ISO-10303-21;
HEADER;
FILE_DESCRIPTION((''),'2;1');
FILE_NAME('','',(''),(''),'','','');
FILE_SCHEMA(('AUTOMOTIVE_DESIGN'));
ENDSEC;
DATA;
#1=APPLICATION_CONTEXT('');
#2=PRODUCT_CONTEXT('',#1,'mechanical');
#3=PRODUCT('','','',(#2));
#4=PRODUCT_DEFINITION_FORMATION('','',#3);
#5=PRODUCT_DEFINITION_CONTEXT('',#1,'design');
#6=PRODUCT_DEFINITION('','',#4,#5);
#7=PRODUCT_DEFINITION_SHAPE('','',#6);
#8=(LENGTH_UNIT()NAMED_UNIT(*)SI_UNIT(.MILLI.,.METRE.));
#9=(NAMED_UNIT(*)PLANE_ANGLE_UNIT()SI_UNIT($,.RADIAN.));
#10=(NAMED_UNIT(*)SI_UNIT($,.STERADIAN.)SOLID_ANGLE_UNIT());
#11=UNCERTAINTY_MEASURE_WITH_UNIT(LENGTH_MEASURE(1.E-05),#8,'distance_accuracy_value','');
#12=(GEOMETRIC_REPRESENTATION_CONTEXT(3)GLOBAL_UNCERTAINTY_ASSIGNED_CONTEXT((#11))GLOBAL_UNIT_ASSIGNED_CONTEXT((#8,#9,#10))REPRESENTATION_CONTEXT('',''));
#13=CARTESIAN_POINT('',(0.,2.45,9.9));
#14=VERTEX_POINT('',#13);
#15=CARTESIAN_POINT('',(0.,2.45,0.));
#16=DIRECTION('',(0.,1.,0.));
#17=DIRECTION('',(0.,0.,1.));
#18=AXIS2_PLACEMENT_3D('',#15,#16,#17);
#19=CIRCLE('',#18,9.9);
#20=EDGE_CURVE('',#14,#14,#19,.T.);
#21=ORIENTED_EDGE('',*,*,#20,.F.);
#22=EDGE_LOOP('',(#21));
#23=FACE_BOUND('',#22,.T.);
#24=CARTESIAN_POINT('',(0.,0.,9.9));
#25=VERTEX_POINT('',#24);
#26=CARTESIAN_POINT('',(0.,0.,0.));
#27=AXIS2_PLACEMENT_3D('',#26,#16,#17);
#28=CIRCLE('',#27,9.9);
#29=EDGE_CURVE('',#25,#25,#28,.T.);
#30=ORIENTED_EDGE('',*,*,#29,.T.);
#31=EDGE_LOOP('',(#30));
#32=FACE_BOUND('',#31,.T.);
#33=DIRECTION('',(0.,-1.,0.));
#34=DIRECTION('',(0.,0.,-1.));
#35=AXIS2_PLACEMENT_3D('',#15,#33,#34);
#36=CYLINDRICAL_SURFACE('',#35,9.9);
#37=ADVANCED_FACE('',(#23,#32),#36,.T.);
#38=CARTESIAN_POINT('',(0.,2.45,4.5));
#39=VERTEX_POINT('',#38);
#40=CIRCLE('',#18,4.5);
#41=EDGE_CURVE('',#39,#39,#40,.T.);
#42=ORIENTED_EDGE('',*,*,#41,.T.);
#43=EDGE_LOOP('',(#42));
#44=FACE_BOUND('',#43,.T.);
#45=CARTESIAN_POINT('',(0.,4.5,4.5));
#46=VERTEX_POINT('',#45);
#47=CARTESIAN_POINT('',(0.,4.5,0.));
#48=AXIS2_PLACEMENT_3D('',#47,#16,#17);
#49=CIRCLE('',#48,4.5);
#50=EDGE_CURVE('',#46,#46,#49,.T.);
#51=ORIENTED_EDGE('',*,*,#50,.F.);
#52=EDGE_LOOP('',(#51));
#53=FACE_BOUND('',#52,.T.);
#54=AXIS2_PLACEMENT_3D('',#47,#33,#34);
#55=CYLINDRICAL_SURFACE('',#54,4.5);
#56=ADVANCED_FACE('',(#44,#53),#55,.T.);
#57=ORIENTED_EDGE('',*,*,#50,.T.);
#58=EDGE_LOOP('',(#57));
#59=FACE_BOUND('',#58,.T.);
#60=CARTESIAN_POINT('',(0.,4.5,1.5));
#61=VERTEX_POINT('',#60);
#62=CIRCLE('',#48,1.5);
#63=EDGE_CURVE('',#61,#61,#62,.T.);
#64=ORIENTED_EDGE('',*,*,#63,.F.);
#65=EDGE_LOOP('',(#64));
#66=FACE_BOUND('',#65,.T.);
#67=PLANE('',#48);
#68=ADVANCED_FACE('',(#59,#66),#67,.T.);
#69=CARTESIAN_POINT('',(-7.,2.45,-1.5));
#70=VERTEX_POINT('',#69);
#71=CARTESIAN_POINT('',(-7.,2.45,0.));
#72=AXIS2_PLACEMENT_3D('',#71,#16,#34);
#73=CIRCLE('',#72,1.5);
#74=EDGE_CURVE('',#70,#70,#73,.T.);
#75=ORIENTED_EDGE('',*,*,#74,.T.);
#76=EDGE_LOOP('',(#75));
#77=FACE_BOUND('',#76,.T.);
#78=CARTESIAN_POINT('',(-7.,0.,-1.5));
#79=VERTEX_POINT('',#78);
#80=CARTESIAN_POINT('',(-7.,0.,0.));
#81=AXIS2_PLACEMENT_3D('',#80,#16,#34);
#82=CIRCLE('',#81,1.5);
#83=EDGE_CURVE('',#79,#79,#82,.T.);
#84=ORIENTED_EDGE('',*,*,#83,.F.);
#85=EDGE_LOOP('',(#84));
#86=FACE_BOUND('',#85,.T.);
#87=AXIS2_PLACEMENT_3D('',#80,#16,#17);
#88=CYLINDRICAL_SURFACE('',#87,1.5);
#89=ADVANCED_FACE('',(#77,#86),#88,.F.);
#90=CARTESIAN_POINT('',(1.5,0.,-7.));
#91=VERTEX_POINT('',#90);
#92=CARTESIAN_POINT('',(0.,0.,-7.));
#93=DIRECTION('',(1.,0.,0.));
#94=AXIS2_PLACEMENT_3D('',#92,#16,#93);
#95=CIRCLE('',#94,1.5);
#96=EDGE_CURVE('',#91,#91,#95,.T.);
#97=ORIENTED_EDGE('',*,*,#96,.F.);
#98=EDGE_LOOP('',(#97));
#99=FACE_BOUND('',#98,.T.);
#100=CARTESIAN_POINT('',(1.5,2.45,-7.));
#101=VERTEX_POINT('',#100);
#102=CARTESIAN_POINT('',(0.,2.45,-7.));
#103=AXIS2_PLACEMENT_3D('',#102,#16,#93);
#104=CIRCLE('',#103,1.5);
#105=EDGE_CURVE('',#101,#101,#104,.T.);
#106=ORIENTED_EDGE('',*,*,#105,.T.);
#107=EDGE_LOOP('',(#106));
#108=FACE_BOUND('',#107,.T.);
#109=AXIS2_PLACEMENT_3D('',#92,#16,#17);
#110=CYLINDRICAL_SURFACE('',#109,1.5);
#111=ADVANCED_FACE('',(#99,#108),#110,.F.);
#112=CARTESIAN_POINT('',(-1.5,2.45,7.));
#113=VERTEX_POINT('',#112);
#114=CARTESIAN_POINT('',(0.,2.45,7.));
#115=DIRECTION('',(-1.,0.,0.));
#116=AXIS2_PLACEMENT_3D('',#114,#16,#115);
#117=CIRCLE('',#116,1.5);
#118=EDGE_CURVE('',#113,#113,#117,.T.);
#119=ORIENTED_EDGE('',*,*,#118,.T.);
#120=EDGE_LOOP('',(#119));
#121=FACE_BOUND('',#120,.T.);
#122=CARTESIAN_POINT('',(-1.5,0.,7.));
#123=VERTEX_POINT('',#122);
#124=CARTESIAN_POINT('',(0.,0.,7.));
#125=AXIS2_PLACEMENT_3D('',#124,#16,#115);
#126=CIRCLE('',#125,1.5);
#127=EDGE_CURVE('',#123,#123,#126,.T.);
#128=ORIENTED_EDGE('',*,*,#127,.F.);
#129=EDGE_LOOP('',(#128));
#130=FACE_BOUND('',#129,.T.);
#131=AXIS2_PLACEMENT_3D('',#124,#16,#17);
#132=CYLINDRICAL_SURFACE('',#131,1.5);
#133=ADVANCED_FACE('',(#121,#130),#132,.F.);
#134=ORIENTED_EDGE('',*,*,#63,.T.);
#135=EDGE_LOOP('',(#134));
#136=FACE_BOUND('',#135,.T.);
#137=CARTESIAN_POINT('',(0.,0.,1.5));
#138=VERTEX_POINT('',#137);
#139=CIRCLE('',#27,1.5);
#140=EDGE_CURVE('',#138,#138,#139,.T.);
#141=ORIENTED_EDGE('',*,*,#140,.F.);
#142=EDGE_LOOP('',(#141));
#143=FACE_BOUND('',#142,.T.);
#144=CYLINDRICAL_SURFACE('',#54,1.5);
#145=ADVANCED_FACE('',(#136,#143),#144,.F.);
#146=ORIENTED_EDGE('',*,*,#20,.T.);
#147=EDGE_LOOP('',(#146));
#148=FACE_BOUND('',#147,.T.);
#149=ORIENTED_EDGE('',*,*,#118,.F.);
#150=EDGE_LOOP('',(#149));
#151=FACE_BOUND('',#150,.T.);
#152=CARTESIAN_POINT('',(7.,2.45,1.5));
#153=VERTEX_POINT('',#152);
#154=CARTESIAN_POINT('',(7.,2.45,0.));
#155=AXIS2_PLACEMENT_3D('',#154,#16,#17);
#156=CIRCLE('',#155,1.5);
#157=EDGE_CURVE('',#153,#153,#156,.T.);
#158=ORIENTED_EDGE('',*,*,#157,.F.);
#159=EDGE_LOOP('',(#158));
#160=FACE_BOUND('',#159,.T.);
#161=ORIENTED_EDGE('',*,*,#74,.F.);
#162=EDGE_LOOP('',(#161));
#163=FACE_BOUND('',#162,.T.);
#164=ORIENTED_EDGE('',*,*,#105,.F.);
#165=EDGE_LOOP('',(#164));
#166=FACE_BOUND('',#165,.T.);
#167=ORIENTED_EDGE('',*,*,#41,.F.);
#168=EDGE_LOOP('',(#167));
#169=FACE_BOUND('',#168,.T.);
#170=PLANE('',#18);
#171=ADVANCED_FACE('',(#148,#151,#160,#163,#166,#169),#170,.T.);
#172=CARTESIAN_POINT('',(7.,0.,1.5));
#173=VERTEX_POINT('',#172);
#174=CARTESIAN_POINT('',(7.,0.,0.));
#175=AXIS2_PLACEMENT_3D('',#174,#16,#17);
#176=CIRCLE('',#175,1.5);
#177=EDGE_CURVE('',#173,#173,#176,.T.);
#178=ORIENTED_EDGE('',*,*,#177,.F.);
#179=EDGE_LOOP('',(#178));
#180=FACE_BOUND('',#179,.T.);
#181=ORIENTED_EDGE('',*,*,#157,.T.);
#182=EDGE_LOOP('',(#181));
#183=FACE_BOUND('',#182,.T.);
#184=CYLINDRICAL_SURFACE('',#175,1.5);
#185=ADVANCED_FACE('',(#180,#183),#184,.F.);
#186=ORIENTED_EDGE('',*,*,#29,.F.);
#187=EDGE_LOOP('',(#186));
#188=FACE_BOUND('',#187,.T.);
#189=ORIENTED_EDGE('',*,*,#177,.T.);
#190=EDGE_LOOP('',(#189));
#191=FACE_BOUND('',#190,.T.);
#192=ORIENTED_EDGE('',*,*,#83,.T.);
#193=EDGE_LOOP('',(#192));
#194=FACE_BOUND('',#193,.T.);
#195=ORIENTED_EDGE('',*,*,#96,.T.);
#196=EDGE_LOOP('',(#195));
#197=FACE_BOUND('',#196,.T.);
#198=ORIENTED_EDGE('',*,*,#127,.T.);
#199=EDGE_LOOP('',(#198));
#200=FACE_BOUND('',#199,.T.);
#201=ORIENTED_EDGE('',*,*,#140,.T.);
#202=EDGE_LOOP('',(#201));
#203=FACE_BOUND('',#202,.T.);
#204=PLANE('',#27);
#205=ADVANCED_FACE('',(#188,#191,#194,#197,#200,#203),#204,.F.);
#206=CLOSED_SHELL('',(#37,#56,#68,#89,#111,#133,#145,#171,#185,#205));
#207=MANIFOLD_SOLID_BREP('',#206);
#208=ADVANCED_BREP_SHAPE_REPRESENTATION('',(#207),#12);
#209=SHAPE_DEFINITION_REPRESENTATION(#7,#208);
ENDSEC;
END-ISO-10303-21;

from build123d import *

# Parameters (mm, degrees)
SKETCH2_R           = 9.9
BOSS_EXTRUDE2_DEPTH = 2.45
SKETCH3_R           = 4.5
SKETCH3_R_2         = 1.5
BOSS_EXTRUDE3_DEPTH = 2.05
SKETCH5_R           = 1.5
CUT_EXTRUDE1_DEPTH  = 15.213461929
SKETCH6_R           = 1.5
CUT_EXTRUDE2_DEPTH  = 15.213461929
CIRPATTERN1_COUNT   = 4


with BuildPart() as part:
    # Sketch2 → Boss-Extrude2 (new body)
    with BuildSketch(Plane(origin=(0, 0, 0), x_dir=(1, 0, 0), z_dir=(0, 1, 0))):
        Circle(SKETCH2_R)
    extrude(amount=BOSS_EXTRUDE2_DEPTH)

    # Sketch3 → Boss-Extrude3 (add)
    with BuildSketch(Plane(origin=(0, 2.45, 0), x_dir=(1, 0, 0), z_dir=(0, 1, 0))):
        Circle(SKETCH3_R)
        Circle(SKETCH3_R_2, mode=Mode.SUBTRACT)
    extrude(amount=BOSS_EXTRUDE3_DEPTH)

    # Sketch5 → Cut-Extrude1 (cut, through all)
    with BuildSketch(Plane(origin=(0, 2.45, 0), x_dir=(1, 0, 0), z_dir=(0, 1, 0))):
        Circle(SKETCH5_R)
    extrude(amount=-CUT_EXTRUDE1_DEPTH, mode=Mode.SUBTRACT)

    # Sketch6 → Cut-Extrude2 (cut, through all)
    with BuildSketch(Plane(origin=(0, 2.45, 0), x_dir=(1, 0, 0), z_dir=(0, 1, 0))):
        with Locations((7, 0)):
            Circle(SKETCH6_R)
    cut_extrude2 = extrude(amount=-CUT_EXTRUDE2_DEPTH, mode=Mode.SUBTRACT)

    # CirPattern1: Cut-Extrude2 ×4 about axis
    cirpattern1_axis = Axis((0, 4.5, 0), (0, -1, 0))
    for i in range(1, CIRPATTERN1_COUNT):
        add(cut_extrude2.rotate(cirpattern1_axis, i * 360 / CIRPATTERN1_COUNT), mode=Mode.SUBTRACT)


solid = part.part
